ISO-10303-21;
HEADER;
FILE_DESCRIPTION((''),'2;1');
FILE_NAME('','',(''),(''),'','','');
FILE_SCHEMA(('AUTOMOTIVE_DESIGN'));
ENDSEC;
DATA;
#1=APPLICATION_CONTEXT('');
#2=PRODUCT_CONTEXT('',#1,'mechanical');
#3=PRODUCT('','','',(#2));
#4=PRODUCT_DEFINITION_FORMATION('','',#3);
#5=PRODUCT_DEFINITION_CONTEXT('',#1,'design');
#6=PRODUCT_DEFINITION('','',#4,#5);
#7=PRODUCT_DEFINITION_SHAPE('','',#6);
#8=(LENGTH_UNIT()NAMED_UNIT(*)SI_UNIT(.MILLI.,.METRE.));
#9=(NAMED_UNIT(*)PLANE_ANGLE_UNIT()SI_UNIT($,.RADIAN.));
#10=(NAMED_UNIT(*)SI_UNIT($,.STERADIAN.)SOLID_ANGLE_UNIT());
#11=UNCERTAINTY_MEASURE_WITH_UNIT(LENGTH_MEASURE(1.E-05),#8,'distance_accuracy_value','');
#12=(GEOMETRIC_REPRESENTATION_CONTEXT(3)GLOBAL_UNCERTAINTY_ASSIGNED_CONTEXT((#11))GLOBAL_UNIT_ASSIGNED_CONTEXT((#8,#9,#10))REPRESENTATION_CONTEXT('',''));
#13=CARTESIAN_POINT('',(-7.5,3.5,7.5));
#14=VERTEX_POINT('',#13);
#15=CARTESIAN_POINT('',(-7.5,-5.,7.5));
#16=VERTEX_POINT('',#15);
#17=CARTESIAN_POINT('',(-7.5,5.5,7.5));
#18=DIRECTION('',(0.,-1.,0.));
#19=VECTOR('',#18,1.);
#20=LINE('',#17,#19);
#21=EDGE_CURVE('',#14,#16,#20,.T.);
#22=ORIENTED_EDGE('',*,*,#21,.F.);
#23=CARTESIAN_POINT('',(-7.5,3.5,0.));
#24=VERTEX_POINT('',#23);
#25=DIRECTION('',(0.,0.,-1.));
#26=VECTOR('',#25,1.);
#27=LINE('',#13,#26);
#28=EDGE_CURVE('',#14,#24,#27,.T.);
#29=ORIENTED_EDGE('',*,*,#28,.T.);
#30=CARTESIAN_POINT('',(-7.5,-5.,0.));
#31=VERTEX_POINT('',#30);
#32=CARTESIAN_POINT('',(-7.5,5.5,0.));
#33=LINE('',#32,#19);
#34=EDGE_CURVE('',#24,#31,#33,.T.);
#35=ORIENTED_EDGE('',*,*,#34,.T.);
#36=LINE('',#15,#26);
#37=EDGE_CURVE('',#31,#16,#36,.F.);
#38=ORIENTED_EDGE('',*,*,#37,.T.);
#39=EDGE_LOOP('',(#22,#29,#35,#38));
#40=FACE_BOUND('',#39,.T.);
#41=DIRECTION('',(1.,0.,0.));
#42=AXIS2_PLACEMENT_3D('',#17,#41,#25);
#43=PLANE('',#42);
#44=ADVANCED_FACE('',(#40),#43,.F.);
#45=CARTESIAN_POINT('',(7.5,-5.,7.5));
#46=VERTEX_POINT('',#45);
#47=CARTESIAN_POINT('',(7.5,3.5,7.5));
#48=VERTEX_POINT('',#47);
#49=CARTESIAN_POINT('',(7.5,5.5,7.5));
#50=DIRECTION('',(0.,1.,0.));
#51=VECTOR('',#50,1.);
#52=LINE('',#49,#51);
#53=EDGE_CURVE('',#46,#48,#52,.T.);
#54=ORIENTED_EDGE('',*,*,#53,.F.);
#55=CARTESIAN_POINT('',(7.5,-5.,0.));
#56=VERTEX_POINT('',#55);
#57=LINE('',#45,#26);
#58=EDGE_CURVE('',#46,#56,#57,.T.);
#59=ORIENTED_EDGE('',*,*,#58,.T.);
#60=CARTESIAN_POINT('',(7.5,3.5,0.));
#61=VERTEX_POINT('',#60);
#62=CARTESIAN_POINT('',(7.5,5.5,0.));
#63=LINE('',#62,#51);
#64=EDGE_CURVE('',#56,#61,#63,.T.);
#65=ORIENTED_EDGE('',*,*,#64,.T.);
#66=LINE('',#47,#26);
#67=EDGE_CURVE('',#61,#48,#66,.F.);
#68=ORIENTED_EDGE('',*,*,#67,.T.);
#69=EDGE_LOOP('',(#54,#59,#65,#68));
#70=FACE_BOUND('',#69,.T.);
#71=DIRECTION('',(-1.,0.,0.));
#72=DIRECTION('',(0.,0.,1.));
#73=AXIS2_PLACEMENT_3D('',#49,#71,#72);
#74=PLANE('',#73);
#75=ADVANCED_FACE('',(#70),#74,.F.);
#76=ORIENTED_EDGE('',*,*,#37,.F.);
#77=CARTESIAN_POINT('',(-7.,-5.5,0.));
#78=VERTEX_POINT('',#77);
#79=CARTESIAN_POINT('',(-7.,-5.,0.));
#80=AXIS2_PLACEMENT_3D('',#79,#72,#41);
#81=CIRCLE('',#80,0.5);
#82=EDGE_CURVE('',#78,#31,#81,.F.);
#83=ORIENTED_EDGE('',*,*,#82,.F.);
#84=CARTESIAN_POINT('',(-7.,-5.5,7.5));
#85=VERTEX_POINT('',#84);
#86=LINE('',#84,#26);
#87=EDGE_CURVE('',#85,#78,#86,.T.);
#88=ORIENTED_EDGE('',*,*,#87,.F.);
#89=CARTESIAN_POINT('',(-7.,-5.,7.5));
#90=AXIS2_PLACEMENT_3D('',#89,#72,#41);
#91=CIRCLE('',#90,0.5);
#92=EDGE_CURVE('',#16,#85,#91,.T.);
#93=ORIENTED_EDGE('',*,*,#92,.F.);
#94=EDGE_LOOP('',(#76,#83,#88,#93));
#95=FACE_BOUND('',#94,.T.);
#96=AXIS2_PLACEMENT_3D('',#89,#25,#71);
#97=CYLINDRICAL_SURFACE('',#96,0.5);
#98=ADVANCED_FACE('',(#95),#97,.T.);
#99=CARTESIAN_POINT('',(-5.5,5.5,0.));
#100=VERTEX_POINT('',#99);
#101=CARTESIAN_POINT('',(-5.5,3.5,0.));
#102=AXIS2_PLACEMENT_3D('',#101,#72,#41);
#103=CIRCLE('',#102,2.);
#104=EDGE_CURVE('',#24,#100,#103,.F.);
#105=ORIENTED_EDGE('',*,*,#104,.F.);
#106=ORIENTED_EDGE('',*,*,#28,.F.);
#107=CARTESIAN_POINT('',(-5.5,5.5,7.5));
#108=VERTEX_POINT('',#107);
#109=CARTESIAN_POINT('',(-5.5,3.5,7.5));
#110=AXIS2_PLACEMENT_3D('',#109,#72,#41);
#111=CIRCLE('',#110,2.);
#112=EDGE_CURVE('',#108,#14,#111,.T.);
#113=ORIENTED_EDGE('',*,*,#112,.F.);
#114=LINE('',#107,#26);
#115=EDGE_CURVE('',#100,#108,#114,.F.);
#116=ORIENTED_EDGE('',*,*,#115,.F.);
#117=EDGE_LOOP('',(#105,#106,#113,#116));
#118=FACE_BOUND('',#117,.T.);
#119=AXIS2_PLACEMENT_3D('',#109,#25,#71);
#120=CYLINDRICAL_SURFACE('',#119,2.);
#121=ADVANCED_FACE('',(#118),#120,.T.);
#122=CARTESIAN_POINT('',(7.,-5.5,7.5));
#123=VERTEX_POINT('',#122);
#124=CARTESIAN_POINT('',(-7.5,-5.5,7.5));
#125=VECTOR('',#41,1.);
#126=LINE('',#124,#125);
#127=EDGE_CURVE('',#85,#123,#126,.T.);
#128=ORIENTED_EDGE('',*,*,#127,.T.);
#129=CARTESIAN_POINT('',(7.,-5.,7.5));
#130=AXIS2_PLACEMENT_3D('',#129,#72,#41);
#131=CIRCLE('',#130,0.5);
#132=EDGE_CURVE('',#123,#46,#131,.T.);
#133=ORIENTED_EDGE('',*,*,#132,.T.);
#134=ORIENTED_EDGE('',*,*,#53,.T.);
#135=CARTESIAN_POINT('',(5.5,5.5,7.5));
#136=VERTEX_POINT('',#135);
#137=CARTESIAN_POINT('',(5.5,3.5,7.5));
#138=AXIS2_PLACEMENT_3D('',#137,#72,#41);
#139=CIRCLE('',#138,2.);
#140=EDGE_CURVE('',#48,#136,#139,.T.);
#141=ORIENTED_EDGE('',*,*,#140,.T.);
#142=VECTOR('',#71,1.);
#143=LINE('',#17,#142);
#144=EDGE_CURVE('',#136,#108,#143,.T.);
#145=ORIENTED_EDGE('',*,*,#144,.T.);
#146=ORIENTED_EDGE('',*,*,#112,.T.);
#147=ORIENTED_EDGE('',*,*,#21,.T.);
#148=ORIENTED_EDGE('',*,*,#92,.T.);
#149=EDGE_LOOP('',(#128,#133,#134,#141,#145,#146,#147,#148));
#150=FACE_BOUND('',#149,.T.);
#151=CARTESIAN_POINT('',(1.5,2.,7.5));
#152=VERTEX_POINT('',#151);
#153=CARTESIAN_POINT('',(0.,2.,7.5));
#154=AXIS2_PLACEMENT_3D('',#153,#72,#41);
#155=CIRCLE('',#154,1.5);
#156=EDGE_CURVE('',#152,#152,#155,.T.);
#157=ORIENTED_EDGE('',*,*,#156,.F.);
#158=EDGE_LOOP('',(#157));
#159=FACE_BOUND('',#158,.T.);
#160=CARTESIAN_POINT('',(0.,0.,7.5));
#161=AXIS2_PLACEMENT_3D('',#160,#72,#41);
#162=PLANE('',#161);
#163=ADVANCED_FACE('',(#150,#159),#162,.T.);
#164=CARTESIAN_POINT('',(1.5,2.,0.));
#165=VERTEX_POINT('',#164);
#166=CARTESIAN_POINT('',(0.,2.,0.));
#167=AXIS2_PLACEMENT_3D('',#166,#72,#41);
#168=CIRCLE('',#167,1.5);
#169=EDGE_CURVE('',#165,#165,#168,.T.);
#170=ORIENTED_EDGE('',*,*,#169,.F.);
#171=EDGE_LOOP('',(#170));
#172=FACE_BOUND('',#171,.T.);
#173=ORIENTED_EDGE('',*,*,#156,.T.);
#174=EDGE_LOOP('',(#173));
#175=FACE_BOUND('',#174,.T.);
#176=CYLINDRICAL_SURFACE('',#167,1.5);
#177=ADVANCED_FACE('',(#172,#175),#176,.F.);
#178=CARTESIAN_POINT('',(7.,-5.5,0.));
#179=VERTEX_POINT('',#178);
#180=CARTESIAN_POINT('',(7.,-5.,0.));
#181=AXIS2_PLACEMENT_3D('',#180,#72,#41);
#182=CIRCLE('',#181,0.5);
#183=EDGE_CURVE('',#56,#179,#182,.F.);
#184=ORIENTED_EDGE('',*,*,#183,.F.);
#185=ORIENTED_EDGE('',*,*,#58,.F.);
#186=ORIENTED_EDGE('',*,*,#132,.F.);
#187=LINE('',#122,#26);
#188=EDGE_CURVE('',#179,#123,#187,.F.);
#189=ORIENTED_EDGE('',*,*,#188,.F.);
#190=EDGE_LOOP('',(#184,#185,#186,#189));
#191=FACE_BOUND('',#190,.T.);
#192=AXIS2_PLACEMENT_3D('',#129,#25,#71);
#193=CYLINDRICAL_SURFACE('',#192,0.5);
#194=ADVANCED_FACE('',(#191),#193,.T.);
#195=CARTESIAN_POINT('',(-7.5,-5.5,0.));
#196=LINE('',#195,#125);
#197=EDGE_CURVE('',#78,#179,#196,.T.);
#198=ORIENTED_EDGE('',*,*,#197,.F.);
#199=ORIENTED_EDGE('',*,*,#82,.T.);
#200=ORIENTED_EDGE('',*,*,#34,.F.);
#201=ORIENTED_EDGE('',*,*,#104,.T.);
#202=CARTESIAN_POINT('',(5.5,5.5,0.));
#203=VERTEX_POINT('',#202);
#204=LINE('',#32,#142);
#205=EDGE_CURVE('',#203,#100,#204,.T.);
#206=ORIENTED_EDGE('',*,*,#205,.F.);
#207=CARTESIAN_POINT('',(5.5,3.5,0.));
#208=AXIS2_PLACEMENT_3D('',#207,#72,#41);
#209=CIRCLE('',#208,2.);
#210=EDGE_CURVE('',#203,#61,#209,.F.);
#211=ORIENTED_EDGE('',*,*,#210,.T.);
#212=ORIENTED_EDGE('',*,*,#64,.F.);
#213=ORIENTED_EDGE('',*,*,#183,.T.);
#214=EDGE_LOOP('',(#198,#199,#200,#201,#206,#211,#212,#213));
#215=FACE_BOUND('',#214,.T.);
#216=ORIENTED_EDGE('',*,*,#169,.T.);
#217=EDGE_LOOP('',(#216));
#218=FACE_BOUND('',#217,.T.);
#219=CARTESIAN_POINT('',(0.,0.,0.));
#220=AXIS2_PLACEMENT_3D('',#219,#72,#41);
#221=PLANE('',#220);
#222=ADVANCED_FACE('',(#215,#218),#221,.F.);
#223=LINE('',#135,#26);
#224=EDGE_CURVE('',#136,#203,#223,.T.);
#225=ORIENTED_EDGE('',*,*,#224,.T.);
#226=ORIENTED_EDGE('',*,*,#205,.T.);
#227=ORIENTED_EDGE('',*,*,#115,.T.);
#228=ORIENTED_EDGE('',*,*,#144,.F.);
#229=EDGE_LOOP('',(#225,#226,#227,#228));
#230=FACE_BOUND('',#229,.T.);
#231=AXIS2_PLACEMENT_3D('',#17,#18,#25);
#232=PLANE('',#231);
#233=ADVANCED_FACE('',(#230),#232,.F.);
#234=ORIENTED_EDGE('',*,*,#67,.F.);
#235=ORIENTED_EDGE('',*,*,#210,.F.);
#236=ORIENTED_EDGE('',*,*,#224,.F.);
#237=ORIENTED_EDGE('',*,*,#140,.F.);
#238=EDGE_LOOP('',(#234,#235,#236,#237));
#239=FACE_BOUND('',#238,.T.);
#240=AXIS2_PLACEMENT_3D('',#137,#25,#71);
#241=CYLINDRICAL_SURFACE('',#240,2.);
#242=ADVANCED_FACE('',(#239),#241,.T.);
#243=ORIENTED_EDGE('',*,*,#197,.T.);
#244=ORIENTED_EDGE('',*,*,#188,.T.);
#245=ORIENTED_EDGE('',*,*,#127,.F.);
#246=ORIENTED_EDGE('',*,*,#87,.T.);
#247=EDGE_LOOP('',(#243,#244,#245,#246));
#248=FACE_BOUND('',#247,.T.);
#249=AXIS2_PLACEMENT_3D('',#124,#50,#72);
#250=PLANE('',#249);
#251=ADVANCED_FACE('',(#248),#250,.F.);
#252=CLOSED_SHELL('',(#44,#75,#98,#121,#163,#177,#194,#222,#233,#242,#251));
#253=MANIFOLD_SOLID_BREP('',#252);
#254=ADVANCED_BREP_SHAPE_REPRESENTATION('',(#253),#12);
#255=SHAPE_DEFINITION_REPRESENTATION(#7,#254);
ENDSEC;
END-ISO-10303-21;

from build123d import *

# Parameters (mm, degrees)
ESQUISSE1_W             = 15
ESQUISSE1_H             = 11
BOSS_EXTRU_1_DEPTH      = 7.5
ESQUISSE2_R             = 1.5
ENL_V_MAT_EXTRU_1_DEPTH = 12.947803145
CONG_1_R                = 2
CONG_2_R                = 0.5


with BuildPart() as part:
    # Esquisse1 → Boss.-Extru.1 (new body)
    with BuildSketch(Plane.XY):
        Rectangle(ESQUISSE1_W, ESQUISSE1_H)
    extrude(amount=BOSS_EXTRU_1_DEPTH)

    # Esquisse2 → Enlèv. mat.-Extru.1 (cut, through all)
    with BuildSketch(Plane.XY.offset(7.5)):
        with Locations((0, 2)):
            Circle(ESQUISSE2_R)
    extrude(amount=-ENL_V_MAT_EXTRU_1_DEPTH, mode=Mode.SUBTRACT)

    # Congé1
    cong_1_edges = [part.edges().sort_by_distance(p)[0] for p in [
        (-7.5, 5.5, 3.75),
        (7.5, 5.5, 3.75),
    ]]
    fillet(cong_1_edges, radius=CONG_1_R)

    # Congé2
    cong_2_edges = [part.edges().sort_by_distance(p)[0] for p in [
        (7.5, -5.5, 3.75),
        (-7.5, -5.5, 3.75),
    ]]
    fillet(cong_2_edges, radius=CONG_2_R)


solid = part.part
